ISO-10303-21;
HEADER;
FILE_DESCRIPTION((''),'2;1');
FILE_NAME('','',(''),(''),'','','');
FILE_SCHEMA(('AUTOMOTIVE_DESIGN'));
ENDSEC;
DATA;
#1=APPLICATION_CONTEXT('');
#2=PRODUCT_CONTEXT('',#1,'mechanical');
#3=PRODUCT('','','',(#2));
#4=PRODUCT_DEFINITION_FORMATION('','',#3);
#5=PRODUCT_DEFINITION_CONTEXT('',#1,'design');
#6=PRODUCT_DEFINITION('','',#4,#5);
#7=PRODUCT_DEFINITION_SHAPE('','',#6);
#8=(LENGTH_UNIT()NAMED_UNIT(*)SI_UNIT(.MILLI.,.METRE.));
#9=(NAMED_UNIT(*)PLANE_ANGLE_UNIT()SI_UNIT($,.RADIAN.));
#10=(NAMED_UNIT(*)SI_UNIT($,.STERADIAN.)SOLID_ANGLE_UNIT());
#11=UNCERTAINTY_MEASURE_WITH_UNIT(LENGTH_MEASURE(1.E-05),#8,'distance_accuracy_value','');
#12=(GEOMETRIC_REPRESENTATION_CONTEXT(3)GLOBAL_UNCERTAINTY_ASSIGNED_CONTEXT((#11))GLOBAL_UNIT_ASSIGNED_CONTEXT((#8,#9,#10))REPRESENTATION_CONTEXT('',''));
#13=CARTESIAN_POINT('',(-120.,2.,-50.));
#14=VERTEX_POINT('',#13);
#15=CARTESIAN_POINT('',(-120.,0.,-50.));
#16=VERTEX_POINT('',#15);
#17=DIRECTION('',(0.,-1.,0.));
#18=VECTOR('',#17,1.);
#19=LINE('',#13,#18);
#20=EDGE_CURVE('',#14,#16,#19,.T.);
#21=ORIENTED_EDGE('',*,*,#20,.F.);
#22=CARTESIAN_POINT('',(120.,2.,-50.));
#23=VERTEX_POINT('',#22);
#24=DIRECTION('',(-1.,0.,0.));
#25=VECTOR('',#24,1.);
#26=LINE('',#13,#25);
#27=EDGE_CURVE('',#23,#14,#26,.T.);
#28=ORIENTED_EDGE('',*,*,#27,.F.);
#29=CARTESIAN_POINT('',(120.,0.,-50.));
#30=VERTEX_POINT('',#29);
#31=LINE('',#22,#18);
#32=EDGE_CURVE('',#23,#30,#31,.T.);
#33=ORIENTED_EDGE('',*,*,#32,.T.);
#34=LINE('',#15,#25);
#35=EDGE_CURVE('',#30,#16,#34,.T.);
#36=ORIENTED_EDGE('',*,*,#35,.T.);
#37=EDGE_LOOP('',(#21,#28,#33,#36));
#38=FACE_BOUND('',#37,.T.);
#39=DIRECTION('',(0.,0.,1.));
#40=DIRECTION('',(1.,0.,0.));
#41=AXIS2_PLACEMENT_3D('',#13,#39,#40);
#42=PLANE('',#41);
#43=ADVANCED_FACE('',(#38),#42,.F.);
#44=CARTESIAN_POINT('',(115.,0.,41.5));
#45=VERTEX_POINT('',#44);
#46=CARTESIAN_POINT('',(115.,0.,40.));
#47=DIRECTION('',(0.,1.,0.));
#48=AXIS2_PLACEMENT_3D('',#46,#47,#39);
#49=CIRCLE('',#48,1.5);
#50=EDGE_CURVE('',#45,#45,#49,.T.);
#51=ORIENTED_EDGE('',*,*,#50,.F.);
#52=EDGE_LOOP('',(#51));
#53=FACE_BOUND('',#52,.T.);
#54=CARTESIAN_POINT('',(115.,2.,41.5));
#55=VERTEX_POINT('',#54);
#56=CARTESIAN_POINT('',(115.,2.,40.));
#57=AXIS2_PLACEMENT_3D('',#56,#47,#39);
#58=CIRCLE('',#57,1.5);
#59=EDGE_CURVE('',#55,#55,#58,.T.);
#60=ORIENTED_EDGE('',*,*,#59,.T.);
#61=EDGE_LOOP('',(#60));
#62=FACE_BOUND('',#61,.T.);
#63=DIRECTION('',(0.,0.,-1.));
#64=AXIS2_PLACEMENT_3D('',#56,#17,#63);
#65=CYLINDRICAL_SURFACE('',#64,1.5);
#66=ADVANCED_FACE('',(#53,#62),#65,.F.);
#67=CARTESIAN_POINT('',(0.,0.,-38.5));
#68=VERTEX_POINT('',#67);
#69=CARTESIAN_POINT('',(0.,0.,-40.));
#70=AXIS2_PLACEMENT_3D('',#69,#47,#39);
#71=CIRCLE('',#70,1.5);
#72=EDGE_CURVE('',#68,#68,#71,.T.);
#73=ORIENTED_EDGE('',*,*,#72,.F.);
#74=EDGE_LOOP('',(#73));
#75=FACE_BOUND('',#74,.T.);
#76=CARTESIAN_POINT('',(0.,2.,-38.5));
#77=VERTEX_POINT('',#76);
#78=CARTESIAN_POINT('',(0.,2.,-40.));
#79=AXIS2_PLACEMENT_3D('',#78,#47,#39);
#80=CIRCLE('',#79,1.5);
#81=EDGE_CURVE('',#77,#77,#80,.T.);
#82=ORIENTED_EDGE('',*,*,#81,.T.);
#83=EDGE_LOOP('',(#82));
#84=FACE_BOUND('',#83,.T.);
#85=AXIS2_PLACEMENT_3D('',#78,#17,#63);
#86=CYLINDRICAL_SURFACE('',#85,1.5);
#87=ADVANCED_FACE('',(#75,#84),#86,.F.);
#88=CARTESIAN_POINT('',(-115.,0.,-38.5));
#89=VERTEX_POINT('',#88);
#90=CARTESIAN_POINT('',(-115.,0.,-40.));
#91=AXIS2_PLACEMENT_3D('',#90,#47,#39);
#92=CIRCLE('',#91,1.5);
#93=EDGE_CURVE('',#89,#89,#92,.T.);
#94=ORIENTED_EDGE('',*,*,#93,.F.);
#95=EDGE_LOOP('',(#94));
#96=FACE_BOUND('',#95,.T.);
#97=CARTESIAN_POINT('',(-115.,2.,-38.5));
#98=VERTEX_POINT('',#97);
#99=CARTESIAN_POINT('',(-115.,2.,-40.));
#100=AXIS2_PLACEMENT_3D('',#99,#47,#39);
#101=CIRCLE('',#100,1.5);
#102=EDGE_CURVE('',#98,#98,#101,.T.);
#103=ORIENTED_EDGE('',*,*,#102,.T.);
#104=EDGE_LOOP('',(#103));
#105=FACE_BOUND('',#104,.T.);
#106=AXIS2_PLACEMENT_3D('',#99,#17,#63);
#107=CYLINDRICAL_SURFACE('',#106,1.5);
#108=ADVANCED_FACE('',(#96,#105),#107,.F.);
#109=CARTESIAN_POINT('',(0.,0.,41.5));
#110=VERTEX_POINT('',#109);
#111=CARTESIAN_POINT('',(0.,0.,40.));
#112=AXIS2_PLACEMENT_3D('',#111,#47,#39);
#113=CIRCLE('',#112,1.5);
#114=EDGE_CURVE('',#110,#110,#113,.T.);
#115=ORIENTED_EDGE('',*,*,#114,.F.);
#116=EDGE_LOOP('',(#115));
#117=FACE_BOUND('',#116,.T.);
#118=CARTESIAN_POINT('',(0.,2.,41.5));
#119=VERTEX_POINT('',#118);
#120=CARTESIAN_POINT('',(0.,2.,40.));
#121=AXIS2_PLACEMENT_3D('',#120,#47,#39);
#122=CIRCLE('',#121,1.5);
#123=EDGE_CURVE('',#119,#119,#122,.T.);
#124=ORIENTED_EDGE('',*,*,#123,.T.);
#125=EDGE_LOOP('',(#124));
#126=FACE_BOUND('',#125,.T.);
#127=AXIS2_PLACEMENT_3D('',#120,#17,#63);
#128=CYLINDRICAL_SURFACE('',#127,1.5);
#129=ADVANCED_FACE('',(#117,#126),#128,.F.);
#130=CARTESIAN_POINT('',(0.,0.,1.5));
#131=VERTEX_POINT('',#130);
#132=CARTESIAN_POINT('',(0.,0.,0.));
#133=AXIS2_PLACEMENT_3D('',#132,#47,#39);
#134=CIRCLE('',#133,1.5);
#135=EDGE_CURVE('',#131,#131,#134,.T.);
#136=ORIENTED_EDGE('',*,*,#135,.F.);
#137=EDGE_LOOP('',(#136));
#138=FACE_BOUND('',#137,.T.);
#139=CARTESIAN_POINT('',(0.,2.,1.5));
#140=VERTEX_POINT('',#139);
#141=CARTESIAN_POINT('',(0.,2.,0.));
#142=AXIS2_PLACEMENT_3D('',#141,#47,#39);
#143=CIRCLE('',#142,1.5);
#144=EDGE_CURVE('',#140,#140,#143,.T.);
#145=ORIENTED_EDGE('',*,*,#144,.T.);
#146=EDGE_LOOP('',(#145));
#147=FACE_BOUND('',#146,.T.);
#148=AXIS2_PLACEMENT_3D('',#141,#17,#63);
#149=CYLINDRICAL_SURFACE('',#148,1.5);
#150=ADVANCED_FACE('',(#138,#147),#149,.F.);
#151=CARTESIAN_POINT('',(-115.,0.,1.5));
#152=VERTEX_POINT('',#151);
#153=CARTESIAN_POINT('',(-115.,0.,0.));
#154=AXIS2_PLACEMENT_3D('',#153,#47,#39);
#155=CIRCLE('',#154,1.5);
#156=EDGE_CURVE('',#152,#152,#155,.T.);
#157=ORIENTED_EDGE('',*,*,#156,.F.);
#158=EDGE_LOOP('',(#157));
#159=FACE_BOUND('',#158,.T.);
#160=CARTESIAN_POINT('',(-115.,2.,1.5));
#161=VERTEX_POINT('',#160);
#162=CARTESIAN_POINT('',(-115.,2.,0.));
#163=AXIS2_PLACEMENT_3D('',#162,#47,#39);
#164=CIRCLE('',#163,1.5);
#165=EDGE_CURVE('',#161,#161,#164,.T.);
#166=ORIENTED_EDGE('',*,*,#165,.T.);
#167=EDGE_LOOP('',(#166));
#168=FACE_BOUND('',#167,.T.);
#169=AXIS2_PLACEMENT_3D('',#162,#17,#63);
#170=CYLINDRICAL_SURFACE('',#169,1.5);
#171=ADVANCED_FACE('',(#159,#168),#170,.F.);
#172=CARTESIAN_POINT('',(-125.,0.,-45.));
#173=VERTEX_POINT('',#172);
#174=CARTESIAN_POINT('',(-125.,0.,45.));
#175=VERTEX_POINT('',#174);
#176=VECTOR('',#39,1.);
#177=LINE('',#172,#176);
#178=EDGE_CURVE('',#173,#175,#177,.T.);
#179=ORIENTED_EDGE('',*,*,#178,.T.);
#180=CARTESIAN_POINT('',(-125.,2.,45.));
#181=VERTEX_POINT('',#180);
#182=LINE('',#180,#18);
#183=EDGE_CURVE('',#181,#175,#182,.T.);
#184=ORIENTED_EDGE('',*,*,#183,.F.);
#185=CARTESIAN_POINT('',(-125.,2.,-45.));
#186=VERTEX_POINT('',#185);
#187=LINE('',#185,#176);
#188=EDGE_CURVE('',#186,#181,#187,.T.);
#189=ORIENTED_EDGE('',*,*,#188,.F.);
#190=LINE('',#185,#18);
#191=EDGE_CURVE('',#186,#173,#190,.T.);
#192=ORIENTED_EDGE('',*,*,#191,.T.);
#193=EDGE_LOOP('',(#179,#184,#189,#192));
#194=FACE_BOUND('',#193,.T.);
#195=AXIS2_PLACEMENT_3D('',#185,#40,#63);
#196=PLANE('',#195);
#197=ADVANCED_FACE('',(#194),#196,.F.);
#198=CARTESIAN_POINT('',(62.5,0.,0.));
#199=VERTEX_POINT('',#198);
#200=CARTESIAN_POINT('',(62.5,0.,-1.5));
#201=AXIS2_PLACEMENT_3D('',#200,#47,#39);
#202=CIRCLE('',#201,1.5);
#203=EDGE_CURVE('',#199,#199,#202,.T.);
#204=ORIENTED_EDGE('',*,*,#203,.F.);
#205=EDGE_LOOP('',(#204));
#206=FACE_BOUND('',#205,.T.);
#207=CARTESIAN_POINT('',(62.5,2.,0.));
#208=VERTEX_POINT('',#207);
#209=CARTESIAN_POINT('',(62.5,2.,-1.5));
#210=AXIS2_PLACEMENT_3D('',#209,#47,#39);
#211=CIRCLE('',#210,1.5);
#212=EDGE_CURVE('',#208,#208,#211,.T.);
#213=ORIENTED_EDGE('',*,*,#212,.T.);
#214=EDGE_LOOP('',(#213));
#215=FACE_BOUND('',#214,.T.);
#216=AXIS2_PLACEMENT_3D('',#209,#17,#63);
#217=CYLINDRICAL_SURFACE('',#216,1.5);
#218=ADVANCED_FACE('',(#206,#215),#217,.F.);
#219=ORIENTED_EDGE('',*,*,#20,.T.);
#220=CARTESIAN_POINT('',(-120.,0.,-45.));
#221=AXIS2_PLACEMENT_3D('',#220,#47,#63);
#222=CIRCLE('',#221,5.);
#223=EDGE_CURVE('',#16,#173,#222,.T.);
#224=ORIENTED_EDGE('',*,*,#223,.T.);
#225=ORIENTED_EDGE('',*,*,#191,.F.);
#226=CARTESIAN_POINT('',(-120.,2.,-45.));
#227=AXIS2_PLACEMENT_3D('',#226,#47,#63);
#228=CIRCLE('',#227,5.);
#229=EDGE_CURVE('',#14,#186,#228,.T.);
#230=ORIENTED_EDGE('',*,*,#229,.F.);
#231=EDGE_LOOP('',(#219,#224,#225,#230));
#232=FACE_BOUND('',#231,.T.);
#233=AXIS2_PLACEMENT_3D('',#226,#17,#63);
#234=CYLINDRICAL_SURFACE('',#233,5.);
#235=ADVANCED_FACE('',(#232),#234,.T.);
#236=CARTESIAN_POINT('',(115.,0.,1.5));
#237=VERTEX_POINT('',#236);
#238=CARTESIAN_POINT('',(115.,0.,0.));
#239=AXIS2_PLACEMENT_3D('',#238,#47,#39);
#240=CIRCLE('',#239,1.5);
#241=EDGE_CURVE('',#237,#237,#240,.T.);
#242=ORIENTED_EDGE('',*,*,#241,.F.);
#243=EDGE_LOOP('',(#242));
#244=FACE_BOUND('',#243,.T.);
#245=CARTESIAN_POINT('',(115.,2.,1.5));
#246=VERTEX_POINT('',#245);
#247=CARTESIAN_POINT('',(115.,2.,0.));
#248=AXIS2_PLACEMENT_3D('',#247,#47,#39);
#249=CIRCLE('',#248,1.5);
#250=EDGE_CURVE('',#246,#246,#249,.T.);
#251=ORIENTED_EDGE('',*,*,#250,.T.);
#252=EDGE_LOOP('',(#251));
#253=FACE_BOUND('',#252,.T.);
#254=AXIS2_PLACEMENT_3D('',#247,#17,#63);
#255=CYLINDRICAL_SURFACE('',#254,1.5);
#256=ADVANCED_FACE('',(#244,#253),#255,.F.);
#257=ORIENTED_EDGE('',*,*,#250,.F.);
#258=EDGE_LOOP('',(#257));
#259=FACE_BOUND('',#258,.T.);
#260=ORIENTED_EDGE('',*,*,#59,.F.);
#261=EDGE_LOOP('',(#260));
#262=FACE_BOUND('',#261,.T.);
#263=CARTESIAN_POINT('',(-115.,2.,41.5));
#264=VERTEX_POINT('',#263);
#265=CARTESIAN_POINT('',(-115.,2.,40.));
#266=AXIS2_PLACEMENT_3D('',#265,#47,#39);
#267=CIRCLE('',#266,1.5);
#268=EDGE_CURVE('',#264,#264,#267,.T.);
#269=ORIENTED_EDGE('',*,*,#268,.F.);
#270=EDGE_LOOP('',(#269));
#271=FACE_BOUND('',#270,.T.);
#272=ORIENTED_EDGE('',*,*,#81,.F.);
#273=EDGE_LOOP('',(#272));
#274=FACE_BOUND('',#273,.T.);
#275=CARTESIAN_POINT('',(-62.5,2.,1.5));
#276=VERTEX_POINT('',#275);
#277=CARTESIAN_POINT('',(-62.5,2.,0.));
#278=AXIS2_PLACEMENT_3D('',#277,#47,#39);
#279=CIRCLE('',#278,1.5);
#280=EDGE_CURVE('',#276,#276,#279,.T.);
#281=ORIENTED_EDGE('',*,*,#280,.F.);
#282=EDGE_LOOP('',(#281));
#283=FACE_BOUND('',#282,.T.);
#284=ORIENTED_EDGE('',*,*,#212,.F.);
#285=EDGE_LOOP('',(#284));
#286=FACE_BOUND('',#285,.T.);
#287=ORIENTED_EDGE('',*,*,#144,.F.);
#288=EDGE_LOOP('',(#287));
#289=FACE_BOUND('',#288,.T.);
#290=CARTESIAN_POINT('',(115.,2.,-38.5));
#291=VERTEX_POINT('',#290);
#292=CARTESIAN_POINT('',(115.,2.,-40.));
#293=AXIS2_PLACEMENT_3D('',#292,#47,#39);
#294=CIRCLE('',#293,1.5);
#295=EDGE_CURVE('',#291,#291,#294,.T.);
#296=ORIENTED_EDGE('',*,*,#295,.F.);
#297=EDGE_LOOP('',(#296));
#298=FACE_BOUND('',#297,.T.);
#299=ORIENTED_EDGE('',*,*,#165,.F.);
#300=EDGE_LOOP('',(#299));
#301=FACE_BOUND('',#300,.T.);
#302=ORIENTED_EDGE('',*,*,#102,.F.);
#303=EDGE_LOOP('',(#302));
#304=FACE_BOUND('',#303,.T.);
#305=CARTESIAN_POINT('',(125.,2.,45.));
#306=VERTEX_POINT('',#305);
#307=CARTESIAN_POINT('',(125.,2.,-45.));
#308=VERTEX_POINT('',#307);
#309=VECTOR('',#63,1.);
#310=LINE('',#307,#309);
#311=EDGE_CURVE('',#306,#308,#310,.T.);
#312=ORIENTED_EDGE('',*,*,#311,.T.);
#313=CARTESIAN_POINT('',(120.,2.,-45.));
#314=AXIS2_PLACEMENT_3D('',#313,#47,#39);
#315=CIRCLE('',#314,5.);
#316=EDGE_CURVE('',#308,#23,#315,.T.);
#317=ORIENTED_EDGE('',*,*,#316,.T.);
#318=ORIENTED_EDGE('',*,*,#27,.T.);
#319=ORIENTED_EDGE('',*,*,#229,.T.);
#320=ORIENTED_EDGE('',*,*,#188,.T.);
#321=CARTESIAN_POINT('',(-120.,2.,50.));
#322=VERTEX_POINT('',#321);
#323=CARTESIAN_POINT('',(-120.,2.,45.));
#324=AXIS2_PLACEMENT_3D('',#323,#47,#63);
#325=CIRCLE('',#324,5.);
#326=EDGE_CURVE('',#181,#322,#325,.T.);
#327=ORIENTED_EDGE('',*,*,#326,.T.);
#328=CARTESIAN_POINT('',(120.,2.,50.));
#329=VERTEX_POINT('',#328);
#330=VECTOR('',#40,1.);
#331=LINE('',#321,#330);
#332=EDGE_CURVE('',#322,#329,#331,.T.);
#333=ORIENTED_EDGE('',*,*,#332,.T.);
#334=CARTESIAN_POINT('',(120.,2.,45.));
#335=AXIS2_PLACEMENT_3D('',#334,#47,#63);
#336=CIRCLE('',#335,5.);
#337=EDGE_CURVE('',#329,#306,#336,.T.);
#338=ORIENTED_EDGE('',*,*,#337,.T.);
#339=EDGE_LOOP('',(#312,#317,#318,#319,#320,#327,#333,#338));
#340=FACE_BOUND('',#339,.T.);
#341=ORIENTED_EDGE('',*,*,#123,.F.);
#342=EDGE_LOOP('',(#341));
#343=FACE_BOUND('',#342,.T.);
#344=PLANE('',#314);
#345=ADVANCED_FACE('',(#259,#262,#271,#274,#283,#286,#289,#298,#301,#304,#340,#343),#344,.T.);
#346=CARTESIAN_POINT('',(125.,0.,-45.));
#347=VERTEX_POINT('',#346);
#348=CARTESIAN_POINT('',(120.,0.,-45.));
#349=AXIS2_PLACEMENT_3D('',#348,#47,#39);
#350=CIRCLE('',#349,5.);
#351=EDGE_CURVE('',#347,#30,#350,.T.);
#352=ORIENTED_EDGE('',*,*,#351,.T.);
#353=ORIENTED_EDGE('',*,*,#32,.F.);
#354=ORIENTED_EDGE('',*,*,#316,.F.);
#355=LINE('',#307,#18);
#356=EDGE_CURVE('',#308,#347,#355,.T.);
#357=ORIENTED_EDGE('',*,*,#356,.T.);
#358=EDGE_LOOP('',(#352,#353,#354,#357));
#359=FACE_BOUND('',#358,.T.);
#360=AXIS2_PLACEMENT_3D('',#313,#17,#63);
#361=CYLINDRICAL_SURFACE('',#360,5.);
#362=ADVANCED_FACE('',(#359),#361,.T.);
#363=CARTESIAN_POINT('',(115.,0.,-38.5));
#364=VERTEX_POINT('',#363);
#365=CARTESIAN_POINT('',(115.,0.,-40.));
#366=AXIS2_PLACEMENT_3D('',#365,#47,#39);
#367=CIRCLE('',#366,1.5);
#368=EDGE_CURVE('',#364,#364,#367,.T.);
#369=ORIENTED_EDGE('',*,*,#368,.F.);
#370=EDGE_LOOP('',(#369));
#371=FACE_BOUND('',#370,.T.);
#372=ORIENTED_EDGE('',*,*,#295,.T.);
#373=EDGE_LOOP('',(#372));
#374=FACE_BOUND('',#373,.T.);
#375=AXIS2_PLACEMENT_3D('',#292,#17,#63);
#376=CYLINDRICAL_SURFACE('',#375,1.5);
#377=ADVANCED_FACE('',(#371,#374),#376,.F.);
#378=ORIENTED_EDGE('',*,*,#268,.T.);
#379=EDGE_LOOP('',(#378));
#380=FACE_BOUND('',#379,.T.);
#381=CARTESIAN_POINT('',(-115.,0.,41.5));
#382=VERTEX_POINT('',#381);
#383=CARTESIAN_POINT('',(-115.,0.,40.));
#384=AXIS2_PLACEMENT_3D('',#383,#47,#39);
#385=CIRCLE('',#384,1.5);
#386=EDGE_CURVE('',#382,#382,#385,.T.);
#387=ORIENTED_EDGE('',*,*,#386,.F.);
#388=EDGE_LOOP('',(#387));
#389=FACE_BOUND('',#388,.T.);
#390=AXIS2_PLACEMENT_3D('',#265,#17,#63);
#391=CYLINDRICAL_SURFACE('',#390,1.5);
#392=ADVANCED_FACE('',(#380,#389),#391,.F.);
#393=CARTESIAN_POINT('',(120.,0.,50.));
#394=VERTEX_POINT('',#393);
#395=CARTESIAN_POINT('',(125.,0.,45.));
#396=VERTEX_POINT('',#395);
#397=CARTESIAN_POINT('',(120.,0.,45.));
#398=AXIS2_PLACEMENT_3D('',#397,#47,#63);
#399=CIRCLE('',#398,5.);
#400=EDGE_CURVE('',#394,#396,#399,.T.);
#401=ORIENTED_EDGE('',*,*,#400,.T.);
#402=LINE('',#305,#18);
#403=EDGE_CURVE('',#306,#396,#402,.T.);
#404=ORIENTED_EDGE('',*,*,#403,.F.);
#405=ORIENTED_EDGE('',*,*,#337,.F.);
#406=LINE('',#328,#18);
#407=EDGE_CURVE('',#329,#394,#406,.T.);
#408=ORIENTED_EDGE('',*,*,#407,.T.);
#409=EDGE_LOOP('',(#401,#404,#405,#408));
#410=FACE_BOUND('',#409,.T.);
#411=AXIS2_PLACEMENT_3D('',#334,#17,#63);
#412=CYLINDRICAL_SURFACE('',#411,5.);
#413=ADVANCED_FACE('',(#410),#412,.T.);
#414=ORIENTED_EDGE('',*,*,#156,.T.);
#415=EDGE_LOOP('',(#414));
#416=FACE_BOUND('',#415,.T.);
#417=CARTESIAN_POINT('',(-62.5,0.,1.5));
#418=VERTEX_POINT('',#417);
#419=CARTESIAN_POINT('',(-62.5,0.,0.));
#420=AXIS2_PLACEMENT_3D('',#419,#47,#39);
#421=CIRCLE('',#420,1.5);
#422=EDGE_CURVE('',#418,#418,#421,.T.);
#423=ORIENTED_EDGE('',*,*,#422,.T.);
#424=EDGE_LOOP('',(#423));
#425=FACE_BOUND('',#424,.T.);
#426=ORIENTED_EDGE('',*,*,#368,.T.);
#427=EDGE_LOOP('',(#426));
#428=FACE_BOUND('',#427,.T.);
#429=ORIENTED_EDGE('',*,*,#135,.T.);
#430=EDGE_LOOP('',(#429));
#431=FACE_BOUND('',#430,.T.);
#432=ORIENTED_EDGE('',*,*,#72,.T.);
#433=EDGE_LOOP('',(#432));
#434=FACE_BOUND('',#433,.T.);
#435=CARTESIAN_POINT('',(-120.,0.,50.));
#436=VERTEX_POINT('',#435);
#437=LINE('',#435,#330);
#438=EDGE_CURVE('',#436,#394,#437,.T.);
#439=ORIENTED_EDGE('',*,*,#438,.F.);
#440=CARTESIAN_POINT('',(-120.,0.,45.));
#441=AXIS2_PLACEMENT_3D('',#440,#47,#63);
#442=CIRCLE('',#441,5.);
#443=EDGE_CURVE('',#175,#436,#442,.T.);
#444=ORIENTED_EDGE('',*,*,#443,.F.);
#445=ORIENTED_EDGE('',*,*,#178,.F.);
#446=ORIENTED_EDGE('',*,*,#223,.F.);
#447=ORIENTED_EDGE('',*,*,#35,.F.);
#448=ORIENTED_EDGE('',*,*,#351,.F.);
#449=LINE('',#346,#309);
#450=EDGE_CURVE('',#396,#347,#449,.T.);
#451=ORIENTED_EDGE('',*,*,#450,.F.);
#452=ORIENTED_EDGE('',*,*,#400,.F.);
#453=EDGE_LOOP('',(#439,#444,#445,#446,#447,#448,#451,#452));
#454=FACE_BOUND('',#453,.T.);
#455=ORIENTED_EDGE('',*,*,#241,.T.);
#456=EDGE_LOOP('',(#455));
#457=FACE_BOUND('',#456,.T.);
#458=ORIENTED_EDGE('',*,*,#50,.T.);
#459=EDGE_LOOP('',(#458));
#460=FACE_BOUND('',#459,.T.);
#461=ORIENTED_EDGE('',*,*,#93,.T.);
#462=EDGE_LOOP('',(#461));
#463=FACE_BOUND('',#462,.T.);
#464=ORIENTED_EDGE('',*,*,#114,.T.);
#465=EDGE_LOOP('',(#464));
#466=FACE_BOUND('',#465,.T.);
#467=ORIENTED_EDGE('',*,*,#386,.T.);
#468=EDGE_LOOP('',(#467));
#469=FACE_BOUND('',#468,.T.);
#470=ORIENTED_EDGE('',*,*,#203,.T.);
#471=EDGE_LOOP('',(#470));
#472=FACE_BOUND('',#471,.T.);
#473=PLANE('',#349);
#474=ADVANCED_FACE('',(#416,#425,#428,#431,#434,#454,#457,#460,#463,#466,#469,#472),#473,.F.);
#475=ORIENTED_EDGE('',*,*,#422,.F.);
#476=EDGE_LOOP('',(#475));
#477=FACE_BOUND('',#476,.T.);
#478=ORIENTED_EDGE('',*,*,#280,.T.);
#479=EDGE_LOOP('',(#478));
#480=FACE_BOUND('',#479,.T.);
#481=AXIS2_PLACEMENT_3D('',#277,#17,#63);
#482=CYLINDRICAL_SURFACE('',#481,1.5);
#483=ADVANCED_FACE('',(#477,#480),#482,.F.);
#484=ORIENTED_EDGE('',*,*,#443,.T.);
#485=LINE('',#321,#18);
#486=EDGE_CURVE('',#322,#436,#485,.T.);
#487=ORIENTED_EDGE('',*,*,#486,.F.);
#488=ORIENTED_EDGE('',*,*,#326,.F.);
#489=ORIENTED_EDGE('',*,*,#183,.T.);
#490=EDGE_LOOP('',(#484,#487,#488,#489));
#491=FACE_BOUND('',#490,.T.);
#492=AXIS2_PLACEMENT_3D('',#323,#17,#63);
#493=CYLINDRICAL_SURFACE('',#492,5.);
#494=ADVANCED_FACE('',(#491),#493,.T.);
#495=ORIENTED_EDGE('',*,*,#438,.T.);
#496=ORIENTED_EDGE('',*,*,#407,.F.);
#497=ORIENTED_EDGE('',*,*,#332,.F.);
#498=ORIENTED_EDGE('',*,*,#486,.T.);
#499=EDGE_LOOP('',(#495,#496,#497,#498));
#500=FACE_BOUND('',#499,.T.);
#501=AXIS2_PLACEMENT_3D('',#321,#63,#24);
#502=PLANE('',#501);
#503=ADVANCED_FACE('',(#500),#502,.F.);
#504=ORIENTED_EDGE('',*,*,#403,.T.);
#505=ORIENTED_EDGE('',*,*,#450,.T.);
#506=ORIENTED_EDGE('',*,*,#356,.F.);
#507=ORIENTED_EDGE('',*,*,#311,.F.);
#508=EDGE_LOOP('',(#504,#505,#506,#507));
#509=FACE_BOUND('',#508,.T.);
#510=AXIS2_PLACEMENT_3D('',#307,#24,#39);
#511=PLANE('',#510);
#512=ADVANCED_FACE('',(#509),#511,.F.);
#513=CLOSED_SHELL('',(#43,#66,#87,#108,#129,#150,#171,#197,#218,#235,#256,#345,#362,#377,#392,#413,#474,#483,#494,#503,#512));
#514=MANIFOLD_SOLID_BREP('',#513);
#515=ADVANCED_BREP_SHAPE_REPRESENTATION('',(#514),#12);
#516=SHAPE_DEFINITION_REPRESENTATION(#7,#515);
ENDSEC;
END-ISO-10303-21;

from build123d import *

# Parameters (mm, degrees)
SKETCH1_R           = 1.5
BOSS_EXTRUDE1_DEPTH = 2


with BuildPart() as part:
    # Sketch1 → Boss-Extrude1 (new body)
    with BuildSketch(Plane(origin=(0, 0, 0), x_dir=(1, 0, 0), z_dir=(0, 1, 0))):
        with BuildLine():
            Line((-120, 50), (120, 50))
            ThreePointArc((120, 50), (123.535533906, 48.535533906), (125, 45))
            Line((125, 45), (125, -45))
            ThreePointArc((125, -45), (123.535533906, -48.535533906), (120, -50))
            Line((120, -50), (-120, -50))
            ThreePointArc((-120, -50), (-123.535533906, -48.535533906), (-125, -45))
            Line((-125, -45), (-125, 45))
            ThreePointArc((-125, 45), (-123.535533906, 48.535533906), (-120, 50))
        make_face()
        with Locations((0, 40)):
            Circle(SKETCH1_R, mode=Mode.SUBTRACT)
        with Locations((-115, 40)):
            Circle(SKETCH1_R, mode=Mode.SUBTRACT)
        with Locations((115, 40)):
            Circle(SKETCH1_R, mode=Mode.SUBTRACT)
        with Locations((-115, 0)):
            Circle(SKETCH1_R, mode=Mode.SUBTRACT)
        with Locations((-115, -40)):
            Circle(SKETCH1_R, mode=Mode.SUBTRACT)
        with Locations((0, -40)):
            Circle(SKETCH1_R, mode=Mode.SUBTRACT)
        with Locations((115, -40)):
            Circle(SKETCH1_R, mode=Mode.SUBTRACT)
        Circle(SKETCH1_R, mode=Mode.SUBTRACT)
        with Locations((115, 0)):
            Circle(SKETCH1_R, mode=Mode.SUBTRACT)
        with Locations((-62.5, 0)):
            Circle(SKETCH1_R, mode=Mode.SUBTRACT)
        with Locations((62.5, 1.5)):
            Circle(SKETCH1_R, mode=Mode.SUBTRACT)
    extrude(amount=BOSS_EXTRUDE1_DEPTH)


solid = part.part
